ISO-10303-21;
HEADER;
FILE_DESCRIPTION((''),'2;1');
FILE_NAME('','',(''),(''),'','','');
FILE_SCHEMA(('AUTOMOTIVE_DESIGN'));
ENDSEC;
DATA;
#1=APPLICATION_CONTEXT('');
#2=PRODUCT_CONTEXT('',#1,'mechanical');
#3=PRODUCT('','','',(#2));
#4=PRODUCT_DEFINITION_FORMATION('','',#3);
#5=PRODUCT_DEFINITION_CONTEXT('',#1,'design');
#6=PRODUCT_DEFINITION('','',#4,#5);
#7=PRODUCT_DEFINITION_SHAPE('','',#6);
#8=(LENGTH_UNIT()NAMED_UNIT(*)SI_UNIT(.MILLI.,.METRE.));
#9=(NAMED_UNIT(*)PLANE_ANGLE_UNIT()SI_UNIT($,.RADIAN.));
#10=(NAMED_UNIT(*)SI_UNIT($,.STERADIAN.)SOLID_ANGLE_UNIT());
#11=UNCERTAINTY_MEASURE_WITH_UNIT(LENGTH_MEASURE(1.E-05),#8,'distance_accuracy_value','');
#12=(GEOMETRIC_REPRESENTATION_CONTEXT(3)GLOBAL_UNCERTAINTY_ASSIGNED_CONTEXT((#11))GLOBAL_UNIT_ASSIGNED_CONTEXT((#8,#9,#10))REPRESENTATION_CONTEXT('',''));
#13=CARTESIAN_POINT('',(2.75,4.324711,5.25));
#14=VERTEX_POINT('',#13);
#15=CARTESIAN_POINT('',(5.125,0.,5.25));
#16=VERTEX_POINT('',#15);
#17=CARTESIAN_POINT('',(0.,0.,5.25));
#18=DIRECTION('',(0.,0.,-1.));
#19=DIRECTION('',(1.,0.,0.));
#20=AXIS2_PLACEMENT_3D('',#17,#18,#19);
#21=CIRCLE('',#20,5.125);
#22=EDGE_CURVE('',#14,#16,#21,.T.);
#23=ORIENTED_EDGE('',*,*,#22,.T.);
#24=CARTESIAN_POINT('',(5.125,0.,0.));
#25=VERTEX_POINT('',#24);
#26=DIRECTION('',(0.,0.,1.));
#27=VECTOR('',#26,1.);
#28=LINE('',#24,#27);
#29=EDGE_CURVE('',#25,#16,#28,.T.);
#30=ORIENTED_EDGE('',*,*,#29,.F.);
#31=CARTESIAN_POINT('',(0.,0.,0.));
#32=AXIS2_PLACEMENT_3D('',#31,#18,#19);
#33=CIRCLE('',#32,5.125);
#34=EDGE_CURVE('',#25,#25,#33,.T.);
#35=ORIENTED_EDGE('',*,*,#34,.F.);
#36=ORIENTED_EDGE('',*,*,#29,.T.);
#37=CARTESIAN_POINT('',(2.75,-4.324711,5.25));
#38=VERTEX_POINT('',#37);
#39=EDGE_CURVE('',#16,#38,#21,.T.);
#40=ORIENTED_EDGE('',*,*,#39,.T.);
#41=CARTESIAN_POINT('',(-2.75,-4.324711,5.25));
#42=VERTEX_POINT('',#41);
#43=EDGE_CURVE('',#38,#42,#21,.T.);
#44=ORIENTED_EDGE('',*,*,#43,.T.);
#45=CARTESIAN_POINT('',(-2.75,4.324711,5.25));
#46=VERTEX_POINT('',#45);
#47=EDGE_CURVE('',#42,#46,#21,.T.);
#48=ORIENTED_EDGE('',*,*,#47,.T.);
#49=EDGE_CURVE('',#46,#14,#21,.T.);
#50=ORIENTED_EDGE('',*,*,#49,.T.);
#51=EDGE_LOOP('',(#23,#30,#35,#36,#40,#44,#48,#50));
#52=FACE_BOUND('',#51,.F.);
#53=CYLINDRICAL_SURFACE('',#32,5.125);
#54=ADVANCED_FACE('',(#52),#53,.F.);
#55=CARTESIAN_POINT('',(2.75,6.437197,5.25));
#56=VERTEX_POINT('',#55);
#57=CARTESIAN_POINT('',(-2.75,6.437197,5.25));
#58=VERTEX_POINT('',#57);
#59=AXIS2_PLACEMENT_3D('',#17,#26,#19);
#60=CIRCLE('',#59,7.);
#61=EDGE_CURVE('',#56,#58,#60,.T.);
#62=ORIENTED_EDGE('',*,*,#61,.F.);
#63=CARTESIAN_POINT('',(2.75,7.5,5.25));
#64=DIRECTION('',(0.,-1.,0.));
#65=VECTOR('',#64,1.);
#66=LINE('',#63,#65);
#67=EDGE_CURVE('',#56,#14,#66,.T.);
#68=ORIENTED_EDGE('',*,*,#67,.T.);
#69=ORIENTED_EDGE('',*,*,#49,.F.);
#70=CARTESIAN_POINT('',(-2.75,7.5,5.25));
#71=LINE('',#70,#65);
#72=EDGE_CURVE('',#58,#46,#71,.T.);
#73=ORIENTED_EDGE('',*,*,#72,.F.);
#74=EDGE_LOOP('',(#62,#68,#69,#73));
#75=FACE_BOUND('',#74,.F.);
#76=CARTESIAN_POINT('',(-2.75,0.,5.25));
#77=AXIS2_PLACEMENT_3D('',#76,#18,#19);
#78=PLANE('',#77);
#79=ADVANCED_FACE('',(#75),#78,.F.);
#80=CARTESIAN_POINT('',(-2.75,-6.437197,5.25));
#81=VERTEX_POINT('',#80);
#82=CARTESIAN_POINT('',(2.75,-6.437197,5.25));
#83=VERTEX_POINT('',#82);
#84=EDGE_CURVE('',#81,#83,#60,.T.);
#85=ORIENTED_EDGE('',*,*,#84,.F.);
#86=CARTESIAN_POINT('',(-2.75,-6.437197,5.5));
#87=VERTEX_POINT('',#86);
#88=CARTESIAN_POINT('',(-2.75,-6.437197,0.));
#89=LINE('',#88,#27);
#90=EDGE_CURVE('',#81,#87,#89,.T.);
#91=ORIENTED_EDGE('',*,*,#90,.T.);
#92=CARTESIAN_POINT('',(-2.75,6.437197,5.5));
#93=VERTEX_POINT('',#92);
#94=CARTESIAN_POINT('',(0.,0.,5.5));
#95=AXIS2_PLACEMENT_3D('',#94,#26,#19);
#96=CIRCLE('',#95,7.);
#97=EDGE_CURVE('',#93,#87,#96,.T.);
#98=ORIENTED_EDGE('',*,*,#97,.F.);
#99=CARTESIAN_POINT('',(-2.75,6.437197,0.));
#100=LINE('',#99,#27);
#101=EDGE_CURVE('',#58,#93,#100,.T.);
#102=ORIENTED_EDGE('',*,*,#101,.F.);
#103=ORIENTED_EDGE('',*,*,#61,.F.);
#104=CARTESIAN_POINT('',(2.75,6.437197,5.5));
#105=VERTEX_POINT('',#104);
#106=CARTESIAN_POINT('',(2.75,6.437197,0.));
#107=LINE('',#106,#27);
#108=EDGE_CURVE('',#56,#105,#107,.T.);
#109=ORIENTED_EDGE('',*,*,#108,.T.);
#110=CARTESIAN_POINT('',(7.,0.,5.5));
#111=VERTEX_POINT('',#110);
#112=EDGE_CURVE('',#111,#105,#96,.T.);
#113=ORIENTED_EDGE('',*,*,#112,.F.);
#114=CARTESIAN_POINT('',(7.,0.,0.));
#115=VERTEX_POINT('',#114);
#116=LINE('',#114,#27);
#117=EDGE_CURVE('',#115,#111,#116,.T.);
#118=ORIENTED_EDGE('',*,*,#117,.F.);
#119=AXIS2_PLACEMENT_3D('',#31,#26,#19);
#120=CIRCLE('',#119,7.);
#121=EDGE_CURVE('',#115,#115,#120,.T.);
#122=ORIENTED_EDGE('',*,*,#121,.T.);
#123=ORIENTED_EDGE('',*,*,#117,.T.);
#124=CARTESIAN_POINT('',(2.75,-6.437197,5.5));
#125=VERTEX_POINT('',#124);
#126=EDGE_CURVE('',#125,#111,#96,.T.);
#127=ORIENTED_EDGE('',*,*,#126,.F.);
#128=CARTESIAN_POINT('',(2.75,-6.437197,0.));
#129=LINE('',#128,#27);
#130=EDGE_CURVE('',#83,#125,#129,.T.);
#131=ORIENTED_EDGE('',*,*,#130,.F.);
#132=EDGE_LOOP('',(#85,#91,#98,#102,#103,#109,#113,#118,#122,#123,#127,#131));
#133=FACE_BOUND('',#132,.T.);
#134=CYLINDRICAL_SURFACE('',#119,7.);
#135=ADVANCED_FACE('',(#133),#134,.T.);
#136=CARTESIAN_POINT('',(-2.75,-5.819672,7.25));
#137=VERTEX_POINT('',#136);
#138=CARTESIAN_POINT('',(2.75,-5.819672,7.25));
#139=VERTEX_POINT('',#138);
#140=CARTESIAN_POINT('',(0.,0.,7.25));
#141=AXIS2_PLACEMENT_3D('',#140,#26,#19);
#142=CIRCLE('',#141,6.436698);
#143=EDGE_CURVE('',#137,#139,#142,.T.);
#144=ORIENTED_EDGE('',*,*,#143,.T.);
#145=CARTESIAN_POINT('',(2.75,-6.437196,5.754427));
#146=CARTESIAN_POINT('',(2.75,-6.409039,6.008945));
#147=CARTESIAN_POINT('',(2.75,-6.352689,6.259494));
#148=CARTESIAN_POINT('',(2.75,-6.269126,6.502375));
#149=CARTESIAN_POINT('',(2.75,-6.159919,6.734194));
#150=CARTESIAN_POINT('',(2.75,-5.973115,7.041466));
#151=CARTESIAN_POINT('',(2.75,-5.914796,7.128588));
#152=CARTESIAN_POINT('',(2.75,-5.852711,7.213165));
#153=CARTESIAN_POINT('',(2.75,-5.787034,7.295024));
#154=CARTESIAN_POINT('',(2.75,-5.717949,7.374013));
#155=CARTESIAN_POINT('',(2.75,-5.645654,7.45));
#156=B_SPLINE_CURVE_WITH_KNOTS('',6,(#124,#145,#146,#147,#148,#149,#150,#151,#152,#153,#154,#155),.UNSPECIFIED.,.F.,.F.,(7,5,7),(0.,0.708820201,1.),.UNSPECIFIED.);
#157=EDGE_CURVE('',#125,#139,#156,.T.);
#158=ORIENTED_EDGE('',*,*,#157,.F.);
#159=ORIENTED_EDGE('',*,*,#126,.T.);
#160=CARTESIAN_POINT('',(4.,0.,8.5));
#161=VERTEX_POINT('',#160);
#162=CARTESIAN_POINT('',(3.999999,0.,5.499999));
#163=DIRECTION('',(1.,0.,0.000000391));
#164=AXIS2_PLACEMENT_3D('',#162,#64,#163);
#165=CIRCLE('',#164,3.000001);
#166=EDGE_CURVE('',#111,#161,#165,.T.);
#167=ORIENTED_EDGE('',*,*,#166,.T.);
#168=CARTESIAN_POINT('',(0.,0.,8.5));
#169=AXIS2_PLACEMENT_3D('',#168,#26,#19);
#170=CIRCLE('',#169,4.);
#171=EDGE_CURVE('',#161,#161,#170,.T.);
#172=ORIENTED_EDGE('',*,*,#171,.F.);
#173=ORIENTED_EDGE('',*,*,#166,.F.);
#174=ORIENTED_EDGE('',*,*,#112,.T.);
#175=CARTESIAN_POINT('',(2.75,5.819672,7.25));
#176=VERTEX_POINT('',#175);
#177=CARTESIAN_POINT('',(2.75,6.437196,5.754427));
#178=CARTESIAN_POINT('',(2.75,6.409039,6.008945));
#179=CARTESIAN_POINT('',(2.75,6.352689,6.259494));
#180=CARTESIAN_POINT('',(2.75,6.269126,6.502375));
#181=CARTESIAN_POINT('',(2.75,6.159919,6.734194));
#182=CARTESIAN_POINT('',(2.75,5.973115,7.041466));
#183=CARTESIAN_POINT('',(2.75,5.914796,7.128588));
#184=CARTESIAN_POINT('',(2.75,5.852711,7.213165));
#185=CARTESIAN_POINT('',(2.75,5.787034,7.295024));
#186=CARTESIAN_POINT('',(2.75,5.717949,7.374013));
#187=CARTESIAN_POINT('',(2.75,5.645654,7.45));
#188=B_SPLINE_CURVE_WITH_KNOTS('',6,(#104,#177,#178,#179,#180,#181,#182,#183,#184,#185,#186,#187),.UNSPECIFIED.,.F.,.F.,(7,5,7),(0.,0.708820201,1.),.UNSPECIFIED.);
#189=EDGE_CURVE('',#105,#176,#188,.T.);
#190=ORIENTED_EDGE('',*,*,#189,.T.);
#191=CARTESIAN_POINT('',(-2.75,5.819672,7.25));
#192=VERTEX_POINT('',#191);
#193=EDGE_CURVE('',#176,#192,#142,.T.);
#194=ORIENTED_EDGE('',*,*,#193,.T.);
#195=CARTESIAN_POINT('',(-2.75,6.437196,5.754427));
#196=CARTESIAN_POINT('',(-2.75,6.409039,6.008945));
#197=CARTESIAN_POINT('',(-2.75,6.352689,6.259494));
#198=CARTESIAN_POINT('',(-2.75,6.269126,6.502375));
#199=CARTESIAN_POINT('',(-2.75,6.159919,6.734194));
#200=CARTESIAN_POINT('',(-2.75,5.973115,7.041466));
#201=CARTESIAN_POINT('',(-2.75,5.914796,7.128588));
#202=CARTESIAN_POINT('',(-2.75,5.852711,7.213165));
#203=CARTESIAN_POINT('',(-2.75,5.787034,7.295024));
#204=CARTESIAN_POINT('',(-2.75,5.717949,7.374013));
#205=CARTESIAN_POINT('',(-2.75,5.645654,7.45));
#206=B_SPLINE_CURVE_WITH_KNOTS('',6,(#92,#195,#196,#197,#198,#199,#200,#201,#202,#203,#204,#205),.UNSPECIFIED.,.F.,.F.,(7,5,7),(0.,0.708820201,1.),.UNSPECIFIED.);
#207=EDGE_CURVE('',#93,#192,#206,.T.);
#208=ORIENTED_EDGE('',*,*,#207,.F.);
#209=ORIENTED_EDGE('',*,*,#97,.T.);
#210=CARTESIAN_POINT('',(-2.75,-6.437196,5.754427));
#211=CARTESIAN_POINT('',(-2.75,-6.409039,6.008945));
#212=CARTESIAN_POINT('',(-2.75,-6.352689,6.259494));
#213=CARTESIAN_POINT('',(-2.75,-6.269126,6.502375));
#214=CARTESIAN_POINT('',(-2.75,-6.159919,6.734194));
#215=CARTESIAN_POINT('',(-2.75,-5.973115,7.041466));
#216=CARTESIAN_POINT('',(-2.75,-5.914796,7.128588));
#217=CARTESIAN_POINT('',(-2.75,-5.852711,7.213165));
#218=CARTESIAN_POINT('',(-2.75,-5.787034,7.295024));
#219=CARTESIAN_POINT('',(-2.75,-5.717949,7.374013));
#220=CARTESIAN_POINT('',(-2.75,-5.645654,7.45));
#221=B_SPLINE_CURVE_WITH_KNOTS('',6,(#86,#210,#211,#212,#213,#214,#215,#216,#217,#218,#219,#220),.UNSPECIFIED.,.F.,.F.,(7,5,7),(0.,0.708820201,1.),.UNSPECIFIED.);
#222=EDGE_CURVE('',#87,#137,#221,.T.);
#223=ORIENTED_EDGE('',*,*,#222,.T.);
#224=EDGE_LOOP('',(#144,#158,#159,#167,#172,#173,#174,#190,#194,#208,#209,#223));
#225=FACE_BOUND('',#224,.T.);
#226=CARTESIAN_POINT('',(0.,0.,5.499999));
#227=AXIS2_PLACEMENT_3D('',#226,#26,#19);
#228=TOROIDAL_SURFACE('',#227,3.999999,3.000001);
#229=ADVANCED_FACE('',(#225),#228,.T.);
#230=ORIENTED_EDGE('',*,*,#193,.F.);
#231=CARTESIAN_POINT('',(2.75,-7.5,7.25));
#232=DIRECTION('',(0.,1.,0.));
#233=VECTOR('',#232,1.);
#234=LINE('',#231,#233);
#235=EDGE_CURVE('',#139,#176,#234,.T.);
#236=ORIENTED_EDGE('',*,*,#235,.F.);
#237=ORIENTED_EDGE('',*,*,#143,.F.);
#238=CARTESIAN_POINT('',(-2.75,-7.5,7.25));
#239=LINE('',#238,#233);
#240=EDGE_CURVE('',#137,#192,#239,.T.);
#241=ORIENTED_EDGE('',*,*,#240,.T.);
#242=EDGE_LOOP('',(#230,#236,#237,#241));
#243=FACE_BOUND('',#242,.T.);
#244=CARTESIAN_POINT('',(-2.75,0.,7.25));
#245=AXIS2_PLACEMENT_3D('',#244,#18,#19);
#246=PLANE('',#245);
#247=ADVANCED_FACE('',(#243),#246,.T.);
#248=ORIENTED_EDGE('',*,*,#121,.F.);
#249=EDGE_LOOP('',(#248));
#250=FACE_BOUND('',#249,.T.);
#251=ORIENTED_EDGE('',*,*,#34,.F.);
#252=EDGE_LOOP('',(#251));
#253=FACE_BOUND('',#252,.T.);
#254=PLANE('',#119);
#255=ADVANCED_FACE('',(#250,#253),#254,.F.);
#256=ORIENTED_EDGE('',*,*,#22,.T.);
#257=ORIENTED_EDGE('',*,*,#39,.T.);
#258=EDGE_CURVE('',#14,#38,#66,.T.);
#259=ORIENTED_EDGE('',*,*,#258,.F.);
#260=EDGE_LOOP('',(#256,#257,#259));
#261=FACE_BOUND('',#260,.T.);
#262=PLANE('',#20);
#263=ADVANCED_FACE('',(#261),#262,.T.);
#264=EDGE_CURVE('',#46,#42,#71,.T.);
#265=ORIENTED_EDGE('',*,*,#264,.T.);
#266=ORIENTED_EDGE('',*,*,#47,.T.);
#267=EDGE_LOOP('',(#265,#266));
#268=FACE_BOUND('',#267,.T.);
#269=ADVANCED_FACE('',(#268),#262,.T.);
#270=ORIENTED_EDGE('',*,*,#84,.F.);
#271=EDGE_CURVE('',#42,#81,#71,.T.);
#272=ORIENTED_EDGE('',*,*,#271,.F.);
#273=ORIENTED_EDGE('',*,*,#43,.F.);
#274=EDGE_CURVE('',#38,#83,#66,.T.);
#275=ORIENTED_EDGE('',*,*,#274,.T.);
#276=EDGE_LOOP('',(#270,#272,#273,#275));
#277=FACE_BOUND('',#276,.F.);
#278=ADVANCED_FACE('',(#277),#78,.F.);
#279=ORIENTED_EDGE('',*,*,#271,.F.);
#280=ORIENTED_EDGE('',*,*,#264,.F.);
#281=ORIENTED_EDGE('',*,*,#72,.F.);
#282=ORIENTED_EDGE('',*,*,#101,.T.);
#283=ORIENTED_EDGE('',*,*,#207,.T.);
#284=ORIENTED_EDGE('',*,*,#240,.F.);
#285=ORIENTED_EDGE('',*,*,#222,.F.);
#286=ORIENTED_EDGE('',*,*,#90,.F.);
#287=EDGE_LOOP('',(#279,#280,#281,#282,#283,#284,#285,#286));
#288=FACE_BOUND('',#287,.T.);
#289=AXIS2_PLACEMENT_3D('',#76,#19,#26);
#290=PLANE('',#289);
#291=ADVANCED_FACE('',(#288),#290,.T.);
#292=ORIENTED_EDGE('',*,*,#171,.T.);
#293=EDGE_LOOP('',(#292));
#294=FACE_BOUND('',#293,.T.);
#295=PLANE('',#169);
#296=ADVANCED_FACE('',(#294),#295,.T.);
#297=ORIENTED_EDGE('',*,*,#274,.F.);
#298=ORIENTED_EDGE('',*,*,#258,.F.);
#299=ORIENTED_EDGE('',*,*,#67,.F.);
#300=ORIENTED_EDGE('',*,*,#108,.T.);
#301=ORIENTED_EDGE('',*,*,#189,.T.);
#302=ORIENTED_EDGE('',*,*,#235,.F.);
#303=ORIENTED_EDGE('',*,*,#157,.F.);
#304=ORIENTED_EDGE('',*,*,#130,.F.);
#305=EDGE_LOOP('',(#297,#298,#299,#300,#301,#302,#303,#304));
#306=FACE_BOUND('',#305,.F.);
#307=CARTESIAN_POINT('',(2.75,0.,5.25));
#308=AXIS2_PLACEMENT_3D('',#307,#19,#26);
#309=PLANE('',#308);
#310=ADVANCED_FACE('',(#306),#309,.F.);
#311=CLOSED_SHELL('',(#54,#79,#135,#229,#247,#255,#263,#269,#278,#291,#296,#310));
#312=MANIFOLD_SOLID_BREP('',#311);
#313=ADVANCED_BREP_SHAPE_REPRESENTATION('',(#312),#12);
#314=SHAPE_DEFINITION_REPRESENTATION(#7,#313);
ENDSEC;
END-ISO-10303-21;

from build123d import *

# Parameters (mm, degrees)
F2_R     = 5.125
F3_DEPTH = 5.25
F4_W     = 5.5
F4_H     = 2
F5_DEPTH = 7.5


with BuildPart() as f1:
    # F0 (on Front) → F1 (revolve)
    with BuildSketch(Plane.XZ):
        with BuildLine():
            Line((0, 8.5), (0, 0))
            Line((0, 0), (7, 0))
            Line((7, 0), (7, 5.5))
            ThreePointArc((7, 5.5), (6.12132, 7.62132), (4, 8.5))
            Line((4, 8.5), (0, 8.5))
        make_face()
    revolve(axis=Axis((0, 0, 2.545049), (0, 0, 1)))

    # F2 (on face) → F3 (cut)
    with BuildSketch(Plane(origin=(0, 0, 0), x_dir=(1, 0, 0), z_dir=(0, 0, -1))):
        Circle(F2_R)
    extrude(amount=-F3_DEPTH, mode=Mode.SUBTRACT)

    # F4 (on Front) → F5 (cut, symmetric)
    with BuildSketch(Plane.XZ):
        with Locations((0, 6.25)):
            Rectangle(F4_W, F4_H)
    extrude(amount=F5_DEPTH, both=True, mode=Mode.SUBTRACT)


solid = f1.part
